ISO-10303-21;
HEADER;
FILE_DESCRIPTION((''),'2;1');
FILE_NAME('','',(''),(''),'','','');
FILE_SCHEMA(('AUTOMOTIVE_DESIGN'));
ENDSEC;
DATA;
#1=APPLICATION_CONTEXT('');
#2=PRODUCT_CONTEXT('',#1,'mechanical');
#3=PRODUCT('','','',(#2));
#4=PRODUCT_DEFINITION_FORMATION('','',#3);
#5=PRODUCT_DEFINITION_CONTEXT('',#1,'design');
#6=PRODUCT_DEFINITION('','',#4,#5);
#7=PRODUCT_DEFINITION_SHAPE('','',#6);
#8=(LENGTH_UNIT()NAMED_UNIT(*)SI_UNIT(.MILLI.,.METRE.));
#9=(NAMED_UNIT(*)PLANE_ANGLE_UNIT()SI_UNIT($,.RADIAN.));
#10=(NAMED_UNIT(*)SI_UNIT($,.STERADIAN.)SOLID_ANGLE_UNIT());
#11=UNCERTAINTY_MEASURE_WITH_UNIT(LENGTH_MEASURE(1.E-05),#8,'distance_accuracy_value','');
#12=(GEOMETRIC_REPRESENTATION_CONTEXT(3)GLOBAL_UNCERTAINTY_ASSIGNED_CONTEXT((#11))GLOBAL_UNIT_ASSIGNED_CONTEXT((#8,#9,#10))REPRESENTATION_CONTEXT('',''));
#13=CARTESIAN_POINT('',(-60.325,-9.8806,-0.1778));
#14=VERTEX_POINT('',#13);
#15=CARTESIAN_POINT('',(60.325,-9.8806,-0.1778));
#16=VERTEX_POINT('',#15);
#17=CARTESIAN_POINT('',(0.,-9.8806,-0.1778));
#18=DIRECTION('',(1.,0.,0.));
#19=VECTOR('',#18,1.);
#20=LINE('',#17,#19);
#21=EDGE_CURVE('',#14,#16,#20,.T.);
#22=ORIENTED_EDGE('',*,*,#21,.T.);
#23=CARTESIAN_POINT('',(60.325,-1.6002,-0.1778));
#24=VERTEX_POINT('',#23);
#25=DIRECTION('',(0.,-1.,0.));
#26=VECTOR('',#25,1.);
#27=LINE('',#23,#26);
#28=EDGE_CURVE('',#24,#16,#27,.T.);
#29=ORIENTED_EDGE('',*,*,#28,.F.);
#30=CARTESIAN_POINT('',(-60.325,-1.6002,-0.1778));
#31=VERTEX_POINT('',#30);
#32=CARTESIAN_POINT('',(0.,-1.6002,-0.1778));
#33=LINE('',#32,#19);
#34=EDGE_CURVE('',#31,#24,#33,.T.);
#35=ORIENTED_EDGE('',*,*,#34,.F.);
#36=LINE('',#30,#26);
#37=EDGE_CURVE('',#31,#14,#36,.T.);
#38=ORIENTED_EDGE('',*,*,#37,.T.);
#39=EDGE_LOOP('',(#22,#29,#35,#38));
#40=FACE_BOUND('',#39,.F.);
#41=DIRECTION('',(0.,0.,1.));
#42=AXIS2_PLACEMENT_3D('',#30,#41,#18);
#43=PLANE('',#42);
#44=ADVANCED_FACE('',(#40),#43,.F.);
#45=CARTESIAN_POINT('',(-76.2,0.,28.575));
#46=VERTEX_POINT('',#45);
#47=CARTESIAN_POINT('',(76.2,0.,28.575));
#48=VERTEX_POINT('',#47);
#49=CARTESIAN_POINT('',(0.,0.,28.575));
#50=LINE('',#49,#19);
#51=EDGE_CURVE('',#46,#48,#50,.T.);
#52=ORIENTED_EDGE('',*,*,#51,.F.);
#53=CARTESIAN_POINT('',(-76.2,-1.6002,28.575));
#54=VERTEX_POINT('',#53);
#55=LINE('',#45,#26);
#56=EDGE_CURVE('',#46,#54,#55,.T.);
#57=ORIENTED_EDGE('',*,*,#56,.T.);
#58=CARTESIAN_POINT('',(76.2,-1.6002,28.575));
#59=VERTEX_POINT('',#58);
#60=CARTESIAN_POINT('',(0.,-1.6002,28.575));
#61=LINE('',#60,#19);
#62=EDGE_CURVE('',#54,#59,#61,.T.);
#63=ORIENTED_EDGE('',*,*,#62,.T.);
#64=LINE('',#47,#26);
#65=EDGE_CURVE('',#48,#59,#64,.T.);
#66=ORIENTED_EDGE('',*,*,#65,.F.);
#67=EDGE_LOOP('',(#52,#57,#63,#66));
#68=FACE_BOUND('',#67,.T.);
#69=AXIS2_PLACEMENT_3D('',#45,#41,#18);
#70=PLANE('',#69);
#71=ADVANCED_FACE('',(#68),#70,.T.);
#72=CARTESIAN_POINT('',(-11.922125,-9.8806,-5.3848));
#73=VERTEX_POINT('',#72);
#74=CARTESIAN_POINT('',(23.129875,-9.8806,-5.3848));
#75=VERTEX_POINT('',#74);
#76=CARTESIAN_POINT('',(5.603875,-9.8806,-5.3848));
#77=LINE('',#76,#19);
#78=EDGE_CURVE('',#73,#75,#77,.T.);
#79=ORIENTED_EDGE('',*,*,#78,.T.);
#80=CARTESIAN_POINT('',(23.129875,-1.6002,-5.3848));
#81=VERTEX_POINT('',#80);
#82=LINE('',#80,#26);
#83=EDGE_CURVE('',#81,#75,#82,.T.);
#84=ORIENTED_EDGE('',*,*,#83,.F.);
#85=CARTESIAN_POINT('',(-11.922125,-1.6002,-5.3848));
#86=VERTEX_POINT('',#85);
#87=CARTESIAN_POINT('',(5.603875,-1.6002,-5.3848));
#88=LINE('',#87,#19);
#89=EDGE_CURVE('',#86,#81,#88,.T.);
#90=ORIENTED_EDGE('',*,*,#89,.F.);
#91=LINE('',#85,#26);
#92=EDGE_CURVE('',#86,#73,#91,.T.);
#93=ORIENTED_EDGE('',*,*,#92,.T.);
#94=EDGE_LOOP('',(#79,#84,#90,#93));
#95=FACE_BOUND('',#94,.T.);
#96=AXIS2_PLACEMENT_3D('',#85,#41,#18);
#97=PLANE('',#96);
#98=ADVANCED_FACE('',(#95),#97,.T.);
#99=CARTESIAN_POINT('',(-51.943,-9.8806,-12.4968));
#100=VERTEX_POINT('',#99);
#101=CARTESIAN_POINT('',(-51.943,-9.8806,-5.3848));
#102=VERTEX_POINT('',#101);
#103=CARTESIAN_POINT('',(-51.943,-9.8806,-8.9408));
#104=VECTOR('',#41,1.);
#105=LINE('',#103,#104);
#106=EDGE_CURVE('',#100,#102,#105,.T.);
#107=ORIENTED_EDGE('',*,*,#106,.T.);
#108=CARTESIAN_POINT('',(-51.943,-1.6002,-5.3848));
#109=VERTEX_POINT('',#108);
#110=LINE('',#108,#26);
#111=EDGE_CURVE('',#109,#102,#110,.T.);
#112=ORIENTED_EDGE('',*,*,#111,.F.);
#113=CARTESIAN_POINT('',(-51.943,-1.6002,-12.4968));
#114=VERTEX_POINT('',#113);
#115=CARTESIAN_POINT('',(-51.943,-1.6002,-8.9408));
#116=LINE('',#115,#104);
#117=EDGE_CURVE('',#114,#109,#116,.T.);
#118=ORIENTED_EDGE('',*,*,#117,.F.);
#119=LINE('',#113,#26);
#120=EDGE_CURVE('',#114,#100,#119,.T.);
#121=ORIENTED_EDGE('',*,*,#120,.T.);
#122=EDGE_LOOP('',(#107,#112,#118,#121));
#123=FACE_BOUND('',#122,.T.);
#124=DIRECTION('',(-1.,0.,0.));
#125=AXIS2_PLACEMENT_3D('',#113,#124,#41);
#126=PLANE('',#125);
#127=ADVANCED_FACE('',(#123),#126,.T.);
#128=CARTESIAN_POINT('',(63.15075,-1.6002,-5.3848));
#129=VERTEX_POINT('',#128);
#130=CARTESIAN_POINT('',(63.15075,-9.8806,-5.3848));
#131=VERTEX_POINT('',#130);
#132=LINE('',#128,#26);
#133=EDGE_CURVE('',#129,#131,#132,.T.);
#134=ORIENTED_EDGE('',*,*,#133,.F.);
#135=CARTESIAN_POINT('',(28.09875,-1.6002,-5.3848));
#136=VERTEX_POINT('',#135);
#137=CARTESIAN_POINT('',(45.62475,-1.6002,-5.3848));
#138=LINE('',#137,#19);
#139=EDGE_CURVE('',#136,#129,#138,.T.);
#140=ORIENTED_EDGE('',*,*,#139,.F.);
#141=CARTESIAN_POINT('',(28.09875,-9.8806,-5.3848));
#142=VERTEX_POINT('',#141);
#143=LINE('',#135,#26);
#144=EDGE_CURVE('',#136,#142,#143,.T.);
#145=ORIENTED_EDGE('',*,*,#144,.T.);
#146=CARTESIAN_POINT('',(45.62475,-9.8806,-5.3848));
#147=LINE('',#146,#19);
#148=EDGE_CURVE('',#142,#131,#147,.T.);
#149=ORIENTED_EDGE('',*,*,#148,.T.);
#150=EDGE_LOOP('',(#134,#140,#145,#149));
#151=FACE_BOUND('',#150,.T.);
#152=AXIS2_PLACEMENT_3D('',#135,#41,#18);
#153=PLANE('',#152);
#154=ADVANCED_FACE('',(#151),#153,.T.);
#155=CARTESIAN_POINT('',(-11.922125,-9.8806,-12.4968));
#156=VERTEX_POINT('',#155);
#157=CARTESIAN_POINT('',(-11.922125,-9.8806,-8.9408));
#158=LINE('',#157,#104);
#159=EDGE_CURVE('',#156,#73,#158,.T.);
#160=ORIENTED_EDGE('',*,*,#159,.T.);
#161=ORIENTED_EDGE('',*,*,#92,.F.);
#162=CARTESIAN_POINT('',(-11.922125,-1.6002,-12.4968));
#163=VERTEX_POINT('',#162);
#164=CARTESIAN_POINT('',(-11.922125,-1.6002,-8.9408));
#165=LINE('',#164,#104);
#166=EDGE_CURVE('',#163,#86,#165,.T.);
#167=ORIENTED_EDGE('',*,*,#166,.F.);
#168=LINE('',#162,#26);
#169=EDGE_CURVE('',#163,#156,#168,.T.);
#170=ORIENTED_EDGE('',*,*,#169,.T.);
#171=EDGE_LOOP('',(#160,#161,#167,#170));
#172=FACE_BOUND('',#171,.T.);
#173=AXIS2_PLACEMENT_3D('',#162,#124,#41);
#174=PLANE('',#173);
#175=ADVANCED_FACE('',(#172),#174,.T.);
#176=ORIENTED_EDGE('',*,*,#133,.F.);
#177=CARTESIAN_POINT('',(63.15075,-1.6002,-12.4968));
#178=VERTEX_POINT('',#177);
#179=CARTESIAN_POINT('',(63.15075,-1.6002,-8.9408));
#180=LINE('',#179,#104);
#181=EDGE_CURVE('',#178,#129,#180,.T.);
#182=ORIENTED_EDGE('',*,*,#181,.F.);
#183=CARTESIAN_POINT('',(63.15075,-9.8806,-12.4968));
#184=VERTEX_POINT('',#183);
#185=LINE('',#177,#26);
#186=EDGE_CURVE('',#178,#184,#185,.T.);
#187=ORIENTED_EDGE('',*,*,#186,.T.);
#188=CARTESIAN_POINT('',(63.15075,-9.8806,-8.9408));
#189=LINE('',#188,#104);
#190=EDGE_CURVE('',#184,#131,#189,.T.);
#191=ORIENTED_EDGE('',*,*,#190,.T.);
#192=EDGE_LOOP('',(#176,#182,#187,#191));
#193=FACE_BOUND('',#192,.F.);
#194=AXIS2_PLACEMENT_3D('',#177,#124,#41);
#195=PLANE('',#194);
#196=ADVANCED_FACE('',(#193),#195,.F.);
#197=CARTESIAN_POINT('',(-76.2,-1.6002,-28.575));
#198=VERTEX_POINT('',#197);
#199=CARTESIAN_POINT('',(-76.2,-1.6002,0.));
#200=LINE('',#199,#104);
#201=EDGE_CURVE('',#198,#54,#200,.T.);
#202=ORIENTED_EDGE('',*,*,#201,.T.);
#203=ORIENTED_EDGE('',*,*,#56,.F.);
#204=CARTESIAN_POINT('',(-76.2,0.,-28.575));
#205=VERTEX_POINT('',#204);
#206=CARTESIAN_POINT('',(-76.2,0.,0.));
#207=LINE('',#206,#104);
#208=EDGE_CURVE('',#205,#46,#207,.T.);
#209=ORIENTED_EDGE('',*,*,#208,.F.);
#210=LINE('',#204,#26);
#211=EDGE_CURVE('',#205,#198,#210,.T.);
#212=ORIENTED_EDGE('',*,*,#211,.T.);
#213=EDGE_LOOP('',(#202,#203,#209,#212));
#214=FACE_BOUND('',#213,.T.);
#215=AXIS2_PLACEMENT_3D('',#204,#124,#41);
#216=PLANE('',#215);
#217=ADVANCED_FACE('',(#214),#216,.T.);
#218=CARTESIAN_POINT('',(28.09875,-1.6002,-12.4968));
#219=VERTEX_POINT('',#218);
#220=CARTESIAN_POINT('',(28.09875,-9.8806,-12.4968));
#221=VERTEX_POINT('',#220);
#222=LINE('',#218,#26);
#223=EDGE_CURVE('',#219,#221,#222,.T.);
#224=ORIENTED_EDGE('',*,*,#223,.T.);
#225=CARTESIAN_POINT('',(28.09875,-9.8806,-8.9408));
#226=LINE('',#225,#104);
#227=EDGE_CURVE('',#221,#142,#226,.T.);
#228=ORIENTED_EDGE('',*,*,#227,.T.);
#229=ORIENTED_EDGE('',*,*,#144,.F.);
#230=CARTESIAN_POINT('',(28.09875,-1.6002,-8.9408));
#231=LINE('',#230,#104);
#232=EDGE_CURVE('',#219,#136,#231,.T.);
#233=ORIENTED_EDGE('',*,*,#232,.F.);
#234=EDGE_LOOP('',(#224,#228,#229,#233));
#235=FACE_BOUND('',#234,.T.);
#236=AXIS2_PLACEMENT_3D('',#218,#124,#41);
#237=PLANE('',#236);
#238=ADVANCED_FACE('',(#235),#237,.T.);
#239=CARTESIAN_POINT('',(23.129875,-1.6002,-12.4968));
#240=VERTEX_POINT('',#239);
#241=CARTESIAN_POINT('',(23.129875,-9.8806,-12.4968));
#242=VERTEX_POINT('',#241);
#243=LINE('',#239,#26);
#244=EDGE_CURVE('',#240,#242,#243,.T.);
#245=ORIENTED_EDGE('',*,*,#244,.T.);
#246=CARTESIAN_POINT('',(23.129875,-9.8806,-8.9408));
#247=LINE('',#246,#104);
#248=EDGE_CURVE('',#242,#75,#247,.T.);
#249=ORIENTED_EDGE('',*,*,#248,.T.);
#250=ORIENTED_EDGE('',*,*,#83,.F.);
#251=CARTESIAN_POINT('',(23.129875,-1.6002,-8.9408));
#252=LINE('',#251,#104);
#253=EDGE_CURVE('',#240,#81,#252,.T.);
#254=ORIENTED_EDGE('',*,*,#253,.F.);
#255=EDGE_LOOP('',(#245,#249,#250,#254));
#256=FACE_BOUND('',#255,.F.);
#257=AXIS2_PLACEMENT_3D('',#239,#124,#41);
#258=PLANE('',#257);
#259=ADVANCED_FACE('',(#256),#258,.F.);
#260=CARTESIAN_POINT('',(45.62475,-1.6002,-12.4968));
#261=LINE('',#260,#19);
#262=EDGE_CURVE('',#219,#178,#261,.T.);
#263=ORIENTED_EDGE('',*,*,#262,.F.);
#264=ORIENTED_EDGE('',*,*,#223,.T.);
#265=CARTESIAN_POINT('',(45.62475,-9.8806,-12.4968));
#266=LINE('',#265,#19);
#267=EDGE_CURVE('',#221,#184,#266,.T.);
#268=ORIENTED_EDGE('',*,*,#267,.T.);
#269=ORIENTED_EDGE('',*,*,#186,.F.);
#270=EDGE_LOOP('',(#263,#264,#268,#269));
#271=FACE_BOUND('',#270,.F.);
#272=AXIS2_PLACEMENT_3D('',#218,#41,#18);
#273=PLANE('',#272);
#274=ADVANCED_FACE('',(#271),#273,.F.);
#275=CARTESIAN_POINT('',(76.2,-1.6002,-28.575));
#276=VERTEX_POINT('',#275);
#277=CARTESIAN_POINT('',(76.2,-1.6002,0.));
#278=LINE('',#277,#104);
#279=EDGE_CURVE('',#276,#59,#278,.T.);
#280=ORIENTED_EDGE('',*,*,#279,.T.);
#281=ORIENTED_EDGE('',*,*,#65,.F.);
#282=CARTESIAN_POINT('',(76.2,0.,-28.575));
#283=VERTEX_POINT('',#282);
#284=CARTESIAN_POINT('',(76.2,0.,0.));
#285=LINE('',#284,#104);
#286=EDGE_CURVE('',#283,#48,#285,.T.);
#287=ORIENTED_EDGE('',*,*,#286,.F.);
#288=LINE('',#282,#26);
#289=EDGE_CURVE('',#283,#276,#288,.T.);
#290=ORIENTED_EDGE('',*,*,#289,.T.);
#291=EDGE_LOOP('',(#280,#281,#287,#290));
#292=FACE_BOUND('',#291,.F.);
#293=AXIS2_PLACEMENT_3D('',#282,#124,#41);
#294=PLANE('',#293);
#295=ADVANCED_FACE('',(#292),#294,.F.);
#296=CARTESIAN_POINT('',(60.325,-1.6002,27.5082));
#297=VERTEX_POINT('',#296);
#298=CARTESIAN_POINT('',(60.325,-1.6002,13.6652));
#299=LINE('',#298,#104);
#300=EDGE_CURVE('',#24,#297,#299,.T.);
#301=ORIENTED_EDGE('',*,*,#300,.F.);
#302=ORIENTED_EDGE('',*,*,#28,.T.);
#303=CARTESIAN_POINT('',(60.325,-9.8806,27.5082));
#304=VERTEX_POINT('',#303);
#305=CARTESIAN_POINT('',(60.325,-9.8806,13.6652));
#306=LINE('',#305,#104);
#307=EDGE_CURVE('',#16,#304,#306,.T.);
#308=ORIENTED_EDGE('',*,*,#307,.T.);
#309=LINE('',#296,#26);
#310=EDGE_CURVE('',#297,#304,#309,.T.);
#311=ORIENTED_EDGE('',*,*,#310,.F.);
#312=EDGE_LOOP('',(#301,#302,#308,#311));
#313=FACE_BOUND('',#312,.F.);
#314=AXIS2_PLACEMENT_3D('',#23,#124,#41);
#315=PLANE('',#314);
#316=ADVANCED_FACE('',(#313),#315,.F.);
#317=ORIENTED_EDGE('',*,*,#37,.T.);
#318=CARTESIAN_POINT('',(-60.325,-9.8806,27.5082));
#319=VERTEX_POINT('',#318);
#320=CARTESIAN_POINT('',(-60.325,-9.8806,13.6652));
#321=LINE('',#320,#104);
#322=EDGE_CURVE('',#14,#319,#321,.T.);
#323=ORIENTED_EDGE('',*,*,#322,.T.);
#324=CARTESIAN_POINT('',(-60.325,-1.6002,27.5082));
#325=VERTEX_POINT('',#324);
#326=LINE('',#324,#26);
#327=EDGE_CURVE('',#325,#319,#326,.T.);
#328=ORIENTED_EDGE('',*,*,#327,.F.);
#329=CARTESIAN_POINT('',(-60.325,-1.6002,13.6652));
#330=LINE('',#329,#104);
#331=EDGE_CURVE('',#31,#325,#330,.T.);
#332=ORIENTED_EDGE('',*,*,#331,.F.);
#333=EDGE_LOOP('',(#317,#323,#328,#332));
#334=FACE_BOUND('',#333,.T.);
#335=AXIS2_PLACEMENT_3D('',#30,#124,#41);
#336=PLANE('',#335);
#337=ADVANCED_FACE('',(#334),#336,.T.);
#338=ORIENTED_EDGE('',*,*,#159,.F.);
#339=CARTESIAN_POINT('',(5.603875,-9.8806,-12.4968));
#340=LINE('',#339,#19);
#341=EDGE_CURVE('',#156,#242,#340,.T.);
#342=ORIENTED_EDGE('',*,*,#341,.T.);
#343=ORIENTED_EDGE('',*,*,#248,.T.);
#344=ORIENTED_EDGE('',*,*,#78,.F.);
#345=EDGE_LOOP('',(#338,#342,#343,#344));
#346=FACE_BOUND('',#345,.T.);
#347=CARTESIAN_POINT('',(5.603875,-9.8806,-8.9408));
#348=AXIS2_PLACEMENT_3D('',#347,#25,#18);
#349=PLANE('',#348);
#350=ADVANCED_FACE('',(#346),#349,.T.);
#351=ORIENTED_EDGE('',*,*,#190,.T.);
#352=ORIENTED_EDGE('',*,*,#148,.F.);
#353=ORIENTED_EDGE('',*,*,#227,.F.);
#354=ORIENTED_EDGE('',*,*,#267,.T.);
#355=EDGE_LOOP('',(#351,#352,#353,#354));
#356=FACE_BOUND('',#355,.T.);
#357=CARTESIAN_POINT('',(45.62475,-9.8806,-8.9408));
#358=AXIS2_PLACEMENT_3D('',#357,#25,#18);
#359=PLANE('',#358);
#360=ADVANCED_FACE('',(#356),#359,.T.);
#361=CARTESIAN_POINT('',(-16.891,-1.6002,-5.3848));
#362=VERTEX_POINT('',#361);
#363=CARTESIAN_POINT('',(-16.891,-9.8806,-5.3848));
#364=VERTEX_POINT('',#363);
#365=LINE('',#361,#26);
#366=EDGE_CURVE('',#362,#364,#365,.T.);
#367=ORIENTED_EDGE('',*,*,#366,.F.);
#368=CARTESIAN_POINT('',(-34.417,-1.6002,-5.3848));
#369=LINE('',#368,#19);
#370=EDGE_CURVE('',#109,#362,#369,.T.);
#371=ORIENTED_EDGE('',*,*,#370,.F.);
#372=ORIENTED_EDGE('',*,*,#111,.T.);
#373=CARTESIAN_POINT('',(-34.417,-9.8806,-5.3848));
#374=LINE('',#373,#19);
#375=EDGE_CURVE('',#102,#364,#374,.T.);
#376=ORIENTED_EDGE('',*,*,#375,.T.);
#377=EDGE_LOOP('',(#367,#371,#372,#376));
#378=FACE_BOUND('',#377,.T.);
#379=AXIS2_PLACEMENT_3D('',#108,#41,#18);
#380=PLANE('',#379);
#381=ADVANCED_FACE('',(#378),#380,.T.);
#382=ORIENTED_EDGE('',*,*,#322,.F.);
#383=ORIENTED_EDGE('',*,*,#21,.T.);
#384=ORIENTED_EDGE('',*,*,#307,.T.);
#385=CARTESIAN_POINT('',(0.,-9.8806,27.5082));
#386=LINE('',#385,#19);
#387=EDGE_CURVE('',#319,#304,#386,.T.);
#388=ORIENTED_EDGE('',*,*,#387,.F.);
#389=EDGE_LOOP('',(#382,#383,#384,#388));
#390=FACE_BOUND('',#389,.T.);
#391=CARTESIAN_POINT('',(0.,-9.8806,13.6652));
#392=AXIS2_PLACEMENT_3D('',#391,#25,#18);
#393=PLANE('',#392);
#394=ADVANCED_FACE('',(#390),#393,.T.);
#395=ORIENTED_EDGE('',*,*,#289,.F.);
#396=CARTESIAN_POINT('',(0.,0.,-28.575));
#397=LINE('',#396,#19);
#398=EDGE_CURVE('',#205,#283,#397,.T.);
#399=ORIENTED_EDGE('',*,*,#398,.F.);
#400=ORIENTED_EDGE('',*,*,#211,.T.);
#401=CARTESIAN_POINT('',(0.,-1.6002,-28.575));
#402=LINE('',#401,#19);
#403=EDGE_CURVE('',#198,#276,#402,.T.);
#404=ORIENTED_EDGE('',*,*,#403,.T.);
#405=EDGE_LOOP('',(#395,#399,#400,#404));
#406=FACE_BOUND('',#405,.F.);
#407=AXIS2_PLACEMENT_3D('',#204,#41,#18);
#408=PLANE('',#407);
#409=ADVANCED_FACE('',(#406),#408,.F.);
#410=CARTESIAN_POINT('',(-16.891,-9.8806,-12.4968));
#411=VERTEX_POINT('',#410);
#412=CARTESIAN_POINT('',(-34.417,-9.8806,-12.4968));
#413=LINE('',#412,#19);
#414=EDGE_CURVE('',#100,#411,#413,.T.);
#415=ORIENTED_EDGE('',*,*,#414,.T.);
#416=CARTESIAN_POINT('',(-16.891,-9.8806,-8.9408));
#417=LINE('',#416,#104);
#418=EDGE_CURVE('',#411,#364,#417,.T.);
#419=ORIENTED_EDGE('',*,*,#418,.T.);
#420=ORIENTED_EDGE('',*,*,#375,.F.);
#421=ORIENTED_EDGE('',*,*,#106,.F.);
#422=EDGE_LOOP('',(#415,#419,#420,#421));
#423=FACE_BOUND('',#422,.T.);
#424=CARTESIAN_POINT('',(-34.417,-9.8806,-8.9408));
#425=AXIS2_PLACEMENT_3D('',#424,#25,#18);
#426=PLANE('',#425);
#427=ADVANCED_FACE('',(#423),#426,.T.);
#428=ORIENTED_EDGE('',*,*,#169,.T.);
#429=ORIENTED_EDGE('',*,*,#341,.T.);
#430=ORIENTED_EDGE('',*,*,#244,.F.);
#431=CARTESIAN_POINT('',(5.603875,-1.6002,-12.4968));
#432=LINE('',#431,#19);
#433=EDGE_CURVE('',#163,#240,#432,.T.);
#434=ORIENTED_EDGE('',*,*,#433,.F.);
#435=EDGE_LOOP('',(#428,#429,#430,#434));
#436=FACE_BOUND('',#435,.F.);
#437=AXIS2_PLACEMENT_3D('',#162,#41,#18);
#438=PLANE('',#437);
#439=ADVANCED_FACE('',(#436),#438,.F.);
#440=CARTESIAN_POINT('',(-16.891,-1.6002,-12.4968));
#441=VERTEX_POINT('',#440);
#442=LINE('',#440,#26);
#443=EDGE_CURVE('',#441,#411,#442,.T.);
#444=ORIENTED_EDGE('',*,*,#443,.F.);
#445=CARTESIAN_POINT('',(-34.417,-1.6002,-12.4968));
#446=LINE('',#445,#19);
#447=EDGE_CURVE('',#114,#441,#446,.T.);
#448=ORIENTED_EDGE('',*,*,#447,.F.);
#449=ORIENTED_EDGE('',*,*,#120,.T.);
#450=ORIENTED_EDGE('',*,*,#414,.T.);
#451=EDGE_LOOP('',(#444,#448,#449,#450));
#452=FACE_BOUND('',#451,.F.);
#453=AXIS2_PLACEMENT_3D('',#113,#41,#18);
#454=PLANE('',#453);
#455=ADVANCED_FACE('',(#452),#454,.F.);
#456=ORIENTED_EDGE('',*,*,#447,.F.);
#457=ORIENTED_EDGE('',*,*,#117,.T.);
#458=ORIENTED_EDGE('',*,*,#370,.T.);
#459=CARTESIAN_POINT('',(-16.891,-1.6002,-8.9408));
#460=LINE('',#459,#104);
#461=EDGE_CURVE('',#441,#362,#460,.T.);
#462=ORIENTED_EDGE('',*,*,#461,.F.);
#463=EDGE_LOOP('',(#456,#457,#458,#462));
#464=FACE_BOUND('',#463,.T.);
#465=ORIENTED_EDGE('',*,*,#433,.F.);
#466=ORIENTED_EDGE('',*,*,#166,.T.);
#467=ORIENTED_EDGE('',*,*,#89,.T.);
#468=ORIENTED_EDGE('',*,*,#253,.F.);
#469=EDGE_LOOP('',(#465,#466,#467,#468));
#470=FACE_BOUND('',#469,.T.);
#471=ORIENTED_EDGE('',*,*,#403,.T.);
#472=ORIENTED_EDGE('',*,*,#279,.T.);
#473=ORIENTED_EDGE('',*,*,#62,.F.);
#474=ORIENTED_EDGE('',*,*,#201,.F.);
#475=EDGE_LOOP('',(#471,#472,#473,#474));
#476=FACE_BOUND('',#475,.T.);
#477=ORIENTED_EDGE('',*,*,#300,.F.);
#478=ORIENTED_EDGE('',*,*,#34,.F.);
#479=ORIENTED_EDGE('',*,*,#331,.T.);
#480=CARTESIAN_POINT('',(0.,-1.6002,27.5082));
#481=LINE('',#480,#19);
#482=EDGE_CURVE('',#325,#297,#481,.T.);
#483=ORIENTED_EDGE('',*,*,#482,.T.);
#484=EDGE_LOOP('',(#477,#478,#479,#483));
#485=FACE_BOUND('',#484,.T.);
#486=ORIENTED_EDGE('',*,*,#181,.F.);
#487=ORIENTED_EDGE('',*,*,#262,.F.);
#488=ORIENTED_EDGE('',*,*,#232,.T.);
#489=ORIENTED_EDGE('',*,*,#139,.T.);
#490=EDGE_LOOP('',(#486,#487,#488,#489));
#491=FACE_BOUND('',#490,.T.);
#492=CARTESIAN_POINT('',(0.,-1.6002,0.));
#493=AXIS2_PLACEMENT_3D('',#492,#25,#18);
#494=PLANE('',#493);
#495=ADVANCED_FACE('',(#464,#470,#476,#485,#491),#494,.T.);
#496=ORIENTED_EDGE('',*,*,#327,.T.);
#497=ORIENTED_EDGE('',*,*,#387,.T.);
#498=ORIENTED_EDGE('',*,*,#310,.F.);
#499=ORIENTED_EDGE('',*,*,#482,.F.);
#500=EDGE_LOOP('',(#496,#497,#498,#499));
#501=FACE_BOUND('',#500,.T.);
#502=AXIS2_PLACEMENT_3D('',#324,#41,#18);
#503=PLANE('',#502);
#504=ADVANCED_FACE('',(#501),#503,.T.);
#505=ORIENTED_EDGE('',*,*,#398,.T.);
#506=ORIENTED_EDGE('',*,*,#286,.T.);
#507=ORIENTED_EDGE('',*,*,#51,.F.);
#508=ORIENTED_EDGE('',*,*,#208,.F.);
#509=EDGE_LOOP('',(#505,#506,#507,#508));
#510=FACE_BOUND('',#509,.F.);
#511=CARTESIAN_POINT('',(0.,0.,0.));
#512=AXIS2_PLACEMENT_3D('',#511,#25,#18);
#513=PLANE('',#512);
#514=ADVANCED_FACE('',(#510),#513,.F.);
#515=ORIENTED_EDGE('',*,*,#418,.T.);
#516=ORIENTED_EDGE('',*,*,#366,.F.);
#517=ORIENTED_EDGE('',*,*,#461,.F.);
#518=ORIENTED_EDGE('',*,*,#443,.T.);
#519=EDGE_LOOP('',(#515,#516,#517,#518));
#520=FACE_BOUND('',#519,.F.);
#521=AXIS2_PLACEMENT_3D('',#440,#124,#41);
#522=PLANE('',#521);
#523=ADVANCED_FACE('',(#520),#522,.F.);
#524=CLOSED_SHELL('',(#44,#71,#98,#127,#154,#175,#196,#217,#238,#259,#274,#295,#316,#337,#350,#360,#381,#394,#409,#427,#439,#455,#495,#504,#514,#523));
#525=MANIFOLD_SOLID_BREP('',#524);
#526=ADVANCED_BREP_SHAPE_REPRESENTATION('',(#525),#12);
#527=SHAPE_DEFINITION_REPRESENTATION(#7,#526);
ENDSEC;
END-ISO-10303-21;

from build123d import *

# Parameters (mm, degrees)
F0_W     = 152.4
F0_H     = 57.15
F1_DEPTH = 1.6002
F2_W     = 120.65
F2_H     = 27.686
F2_W_2   = 35.052
F2_H_2   = 7.112
F3_DEPTH = 8.2804


with BuildPart() as f1:
    # F0 (on Front) → F1 (new body)
    with BuildSketch(Plane.XZ):
        Rectangle(F0_W, F0_H)
    extrude(amount=F1_DEPTH)

    # F2 (on face) → F3 (join)
    with BuildSketch(Plane.XZ.offset(1.6002)):
        with Locations((0, 13.6652)):
            Rectangle(F2_W, F2_H)
        with Locations((-34.417, -8.9408)):
            Rectangle(F2_W_2, F2_H_2)
        with Locations((5.603875, -8.9408)):
            Rectangle(F2_W_2, F2_H_2)
        with Locations((45.62475, -8.9408)):
            Rectangle(F2_W_2, F2_H_2)
    extrude(amount=F3_DEPTH)


solid = f1.part
